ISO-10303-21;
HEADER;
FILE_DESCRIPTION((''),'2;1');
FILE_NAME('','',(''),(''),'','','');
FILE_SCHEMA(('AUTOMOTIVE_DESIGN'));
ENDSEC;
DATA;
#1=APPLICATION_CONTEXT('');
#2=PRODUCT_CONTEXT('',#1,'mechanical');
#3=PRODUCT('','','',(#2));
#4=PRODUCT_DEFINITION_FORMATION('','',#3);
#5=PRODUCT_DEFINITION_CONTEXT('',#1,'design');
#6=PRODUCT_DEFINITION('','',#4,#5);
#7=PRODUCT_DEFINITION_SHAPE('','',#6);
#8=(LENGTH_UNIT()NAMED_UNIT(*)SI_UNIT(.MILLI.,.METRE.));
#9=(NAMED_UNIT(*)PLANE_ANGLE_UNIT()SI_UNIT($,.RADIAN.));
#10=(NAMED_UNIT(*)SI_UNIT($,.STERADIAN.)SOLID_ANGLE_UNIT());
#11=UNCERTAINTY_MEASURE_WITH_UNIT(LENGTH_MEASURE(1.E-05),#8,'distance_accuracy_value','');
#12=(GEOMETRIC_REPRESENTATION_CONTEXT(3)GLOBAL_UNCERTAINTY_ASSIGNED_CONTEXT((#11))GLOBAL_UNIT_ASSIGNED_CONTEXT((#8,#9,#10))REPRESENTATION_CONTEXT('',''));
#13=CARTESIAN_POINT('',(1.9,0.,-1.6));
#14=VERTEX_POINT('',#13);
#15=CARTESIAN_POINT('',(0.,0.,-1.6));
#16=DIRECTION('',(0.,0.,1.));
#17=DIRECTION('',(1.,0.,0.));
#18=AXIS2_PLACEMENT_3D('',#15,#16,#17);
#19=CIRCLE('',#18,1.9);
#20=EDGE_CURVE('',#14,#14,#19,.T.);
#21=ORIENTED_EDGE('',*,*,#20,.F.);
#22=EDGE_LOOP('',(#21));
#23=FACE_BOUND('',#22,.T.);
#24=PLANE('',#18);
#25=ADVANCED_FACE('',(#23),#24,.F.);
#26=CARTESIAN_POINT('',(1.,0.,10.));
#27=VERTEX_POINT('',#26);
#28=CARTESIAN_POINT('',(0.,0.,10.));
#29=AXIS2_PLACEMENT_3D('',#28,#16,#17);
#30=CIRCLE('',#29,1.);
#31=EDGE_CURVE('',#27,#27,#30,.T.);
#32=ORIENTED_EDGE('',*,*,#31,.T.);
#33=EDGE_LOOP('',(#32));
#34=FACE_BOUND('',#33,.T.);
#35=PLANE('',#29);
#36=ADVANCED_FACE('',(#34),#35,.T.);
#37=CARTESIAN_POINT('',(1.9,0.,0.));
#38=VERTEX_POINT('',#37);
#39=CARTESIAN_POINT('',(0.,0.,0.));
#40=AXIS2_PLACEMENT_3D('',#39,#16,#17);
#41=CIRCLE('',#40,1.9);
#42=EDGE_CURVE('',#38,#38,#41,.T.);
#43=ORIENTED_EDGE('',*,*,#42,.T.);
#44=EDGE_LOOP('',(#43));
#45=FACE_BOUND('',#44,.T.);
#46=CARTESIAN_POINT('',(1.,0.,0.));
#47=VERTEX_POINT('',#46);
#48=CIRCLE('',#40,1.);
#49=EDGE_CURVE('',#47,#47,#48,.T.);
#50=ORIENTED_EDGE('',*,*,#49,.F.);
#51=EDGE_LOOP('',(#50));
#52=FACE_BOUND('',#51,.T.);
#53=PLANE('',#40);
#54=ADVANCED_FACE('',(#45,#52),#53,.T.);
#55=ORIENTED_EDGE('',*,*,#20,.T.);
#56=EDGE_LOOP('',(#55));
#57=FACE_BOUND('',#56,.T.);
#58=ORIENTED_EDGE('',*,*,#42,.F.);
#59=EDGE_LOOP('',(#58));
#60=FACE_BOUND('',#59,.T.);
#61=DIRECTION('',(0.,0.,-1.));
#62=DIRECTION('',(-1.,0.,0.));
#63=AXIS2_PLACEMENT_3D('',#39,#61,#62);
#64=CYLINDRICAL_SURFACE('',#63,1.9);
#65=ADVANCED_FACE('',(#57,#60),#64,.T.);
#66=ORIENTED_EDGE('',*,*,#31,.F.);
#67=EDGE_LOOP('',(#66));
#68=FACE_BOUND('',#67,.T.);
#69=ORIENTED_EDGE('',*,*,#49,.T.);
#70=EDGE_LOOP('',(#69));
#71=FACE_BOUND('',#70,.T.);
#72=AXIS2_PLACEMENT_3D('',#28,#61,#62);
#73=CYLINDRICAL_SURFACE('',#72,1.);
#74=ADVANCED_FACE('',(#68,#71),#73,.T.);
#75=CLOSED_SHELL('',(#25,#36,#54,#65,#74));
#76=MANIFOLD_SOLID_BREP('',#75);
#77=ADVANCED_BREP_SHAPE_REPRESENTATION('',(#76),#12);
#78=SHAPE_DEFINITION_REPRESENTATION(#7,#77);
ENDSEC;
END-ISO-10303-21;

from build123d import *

# Parameters (mm, degrees)
SKETCH_1_R        = 1
EXTRUDE_10_DEPTH  = 10
EXTRUDE_START     = -1.6
SKETCH_2_R        = 1.9
EXTRUDE_315_DEPTH = 1.6


with BuildPart() as part:
    # 草图1 → 公称杆长10_无牙型参考 (new body)
    with BuildSketch(Plane.XY):
        Circle(SKETCH_1_R)
    extrude(amount=EXTRUDE_10_DEPTH)

    # 草图2 → Extrude 315 (add)
    with BuildSketch(Plane.XY.offset(EXTRUDE_START)):
        Circle(SKETCH_2_R)
    extrude(amount=EXTRUDE_315_DEPTH)


solid = part.part
